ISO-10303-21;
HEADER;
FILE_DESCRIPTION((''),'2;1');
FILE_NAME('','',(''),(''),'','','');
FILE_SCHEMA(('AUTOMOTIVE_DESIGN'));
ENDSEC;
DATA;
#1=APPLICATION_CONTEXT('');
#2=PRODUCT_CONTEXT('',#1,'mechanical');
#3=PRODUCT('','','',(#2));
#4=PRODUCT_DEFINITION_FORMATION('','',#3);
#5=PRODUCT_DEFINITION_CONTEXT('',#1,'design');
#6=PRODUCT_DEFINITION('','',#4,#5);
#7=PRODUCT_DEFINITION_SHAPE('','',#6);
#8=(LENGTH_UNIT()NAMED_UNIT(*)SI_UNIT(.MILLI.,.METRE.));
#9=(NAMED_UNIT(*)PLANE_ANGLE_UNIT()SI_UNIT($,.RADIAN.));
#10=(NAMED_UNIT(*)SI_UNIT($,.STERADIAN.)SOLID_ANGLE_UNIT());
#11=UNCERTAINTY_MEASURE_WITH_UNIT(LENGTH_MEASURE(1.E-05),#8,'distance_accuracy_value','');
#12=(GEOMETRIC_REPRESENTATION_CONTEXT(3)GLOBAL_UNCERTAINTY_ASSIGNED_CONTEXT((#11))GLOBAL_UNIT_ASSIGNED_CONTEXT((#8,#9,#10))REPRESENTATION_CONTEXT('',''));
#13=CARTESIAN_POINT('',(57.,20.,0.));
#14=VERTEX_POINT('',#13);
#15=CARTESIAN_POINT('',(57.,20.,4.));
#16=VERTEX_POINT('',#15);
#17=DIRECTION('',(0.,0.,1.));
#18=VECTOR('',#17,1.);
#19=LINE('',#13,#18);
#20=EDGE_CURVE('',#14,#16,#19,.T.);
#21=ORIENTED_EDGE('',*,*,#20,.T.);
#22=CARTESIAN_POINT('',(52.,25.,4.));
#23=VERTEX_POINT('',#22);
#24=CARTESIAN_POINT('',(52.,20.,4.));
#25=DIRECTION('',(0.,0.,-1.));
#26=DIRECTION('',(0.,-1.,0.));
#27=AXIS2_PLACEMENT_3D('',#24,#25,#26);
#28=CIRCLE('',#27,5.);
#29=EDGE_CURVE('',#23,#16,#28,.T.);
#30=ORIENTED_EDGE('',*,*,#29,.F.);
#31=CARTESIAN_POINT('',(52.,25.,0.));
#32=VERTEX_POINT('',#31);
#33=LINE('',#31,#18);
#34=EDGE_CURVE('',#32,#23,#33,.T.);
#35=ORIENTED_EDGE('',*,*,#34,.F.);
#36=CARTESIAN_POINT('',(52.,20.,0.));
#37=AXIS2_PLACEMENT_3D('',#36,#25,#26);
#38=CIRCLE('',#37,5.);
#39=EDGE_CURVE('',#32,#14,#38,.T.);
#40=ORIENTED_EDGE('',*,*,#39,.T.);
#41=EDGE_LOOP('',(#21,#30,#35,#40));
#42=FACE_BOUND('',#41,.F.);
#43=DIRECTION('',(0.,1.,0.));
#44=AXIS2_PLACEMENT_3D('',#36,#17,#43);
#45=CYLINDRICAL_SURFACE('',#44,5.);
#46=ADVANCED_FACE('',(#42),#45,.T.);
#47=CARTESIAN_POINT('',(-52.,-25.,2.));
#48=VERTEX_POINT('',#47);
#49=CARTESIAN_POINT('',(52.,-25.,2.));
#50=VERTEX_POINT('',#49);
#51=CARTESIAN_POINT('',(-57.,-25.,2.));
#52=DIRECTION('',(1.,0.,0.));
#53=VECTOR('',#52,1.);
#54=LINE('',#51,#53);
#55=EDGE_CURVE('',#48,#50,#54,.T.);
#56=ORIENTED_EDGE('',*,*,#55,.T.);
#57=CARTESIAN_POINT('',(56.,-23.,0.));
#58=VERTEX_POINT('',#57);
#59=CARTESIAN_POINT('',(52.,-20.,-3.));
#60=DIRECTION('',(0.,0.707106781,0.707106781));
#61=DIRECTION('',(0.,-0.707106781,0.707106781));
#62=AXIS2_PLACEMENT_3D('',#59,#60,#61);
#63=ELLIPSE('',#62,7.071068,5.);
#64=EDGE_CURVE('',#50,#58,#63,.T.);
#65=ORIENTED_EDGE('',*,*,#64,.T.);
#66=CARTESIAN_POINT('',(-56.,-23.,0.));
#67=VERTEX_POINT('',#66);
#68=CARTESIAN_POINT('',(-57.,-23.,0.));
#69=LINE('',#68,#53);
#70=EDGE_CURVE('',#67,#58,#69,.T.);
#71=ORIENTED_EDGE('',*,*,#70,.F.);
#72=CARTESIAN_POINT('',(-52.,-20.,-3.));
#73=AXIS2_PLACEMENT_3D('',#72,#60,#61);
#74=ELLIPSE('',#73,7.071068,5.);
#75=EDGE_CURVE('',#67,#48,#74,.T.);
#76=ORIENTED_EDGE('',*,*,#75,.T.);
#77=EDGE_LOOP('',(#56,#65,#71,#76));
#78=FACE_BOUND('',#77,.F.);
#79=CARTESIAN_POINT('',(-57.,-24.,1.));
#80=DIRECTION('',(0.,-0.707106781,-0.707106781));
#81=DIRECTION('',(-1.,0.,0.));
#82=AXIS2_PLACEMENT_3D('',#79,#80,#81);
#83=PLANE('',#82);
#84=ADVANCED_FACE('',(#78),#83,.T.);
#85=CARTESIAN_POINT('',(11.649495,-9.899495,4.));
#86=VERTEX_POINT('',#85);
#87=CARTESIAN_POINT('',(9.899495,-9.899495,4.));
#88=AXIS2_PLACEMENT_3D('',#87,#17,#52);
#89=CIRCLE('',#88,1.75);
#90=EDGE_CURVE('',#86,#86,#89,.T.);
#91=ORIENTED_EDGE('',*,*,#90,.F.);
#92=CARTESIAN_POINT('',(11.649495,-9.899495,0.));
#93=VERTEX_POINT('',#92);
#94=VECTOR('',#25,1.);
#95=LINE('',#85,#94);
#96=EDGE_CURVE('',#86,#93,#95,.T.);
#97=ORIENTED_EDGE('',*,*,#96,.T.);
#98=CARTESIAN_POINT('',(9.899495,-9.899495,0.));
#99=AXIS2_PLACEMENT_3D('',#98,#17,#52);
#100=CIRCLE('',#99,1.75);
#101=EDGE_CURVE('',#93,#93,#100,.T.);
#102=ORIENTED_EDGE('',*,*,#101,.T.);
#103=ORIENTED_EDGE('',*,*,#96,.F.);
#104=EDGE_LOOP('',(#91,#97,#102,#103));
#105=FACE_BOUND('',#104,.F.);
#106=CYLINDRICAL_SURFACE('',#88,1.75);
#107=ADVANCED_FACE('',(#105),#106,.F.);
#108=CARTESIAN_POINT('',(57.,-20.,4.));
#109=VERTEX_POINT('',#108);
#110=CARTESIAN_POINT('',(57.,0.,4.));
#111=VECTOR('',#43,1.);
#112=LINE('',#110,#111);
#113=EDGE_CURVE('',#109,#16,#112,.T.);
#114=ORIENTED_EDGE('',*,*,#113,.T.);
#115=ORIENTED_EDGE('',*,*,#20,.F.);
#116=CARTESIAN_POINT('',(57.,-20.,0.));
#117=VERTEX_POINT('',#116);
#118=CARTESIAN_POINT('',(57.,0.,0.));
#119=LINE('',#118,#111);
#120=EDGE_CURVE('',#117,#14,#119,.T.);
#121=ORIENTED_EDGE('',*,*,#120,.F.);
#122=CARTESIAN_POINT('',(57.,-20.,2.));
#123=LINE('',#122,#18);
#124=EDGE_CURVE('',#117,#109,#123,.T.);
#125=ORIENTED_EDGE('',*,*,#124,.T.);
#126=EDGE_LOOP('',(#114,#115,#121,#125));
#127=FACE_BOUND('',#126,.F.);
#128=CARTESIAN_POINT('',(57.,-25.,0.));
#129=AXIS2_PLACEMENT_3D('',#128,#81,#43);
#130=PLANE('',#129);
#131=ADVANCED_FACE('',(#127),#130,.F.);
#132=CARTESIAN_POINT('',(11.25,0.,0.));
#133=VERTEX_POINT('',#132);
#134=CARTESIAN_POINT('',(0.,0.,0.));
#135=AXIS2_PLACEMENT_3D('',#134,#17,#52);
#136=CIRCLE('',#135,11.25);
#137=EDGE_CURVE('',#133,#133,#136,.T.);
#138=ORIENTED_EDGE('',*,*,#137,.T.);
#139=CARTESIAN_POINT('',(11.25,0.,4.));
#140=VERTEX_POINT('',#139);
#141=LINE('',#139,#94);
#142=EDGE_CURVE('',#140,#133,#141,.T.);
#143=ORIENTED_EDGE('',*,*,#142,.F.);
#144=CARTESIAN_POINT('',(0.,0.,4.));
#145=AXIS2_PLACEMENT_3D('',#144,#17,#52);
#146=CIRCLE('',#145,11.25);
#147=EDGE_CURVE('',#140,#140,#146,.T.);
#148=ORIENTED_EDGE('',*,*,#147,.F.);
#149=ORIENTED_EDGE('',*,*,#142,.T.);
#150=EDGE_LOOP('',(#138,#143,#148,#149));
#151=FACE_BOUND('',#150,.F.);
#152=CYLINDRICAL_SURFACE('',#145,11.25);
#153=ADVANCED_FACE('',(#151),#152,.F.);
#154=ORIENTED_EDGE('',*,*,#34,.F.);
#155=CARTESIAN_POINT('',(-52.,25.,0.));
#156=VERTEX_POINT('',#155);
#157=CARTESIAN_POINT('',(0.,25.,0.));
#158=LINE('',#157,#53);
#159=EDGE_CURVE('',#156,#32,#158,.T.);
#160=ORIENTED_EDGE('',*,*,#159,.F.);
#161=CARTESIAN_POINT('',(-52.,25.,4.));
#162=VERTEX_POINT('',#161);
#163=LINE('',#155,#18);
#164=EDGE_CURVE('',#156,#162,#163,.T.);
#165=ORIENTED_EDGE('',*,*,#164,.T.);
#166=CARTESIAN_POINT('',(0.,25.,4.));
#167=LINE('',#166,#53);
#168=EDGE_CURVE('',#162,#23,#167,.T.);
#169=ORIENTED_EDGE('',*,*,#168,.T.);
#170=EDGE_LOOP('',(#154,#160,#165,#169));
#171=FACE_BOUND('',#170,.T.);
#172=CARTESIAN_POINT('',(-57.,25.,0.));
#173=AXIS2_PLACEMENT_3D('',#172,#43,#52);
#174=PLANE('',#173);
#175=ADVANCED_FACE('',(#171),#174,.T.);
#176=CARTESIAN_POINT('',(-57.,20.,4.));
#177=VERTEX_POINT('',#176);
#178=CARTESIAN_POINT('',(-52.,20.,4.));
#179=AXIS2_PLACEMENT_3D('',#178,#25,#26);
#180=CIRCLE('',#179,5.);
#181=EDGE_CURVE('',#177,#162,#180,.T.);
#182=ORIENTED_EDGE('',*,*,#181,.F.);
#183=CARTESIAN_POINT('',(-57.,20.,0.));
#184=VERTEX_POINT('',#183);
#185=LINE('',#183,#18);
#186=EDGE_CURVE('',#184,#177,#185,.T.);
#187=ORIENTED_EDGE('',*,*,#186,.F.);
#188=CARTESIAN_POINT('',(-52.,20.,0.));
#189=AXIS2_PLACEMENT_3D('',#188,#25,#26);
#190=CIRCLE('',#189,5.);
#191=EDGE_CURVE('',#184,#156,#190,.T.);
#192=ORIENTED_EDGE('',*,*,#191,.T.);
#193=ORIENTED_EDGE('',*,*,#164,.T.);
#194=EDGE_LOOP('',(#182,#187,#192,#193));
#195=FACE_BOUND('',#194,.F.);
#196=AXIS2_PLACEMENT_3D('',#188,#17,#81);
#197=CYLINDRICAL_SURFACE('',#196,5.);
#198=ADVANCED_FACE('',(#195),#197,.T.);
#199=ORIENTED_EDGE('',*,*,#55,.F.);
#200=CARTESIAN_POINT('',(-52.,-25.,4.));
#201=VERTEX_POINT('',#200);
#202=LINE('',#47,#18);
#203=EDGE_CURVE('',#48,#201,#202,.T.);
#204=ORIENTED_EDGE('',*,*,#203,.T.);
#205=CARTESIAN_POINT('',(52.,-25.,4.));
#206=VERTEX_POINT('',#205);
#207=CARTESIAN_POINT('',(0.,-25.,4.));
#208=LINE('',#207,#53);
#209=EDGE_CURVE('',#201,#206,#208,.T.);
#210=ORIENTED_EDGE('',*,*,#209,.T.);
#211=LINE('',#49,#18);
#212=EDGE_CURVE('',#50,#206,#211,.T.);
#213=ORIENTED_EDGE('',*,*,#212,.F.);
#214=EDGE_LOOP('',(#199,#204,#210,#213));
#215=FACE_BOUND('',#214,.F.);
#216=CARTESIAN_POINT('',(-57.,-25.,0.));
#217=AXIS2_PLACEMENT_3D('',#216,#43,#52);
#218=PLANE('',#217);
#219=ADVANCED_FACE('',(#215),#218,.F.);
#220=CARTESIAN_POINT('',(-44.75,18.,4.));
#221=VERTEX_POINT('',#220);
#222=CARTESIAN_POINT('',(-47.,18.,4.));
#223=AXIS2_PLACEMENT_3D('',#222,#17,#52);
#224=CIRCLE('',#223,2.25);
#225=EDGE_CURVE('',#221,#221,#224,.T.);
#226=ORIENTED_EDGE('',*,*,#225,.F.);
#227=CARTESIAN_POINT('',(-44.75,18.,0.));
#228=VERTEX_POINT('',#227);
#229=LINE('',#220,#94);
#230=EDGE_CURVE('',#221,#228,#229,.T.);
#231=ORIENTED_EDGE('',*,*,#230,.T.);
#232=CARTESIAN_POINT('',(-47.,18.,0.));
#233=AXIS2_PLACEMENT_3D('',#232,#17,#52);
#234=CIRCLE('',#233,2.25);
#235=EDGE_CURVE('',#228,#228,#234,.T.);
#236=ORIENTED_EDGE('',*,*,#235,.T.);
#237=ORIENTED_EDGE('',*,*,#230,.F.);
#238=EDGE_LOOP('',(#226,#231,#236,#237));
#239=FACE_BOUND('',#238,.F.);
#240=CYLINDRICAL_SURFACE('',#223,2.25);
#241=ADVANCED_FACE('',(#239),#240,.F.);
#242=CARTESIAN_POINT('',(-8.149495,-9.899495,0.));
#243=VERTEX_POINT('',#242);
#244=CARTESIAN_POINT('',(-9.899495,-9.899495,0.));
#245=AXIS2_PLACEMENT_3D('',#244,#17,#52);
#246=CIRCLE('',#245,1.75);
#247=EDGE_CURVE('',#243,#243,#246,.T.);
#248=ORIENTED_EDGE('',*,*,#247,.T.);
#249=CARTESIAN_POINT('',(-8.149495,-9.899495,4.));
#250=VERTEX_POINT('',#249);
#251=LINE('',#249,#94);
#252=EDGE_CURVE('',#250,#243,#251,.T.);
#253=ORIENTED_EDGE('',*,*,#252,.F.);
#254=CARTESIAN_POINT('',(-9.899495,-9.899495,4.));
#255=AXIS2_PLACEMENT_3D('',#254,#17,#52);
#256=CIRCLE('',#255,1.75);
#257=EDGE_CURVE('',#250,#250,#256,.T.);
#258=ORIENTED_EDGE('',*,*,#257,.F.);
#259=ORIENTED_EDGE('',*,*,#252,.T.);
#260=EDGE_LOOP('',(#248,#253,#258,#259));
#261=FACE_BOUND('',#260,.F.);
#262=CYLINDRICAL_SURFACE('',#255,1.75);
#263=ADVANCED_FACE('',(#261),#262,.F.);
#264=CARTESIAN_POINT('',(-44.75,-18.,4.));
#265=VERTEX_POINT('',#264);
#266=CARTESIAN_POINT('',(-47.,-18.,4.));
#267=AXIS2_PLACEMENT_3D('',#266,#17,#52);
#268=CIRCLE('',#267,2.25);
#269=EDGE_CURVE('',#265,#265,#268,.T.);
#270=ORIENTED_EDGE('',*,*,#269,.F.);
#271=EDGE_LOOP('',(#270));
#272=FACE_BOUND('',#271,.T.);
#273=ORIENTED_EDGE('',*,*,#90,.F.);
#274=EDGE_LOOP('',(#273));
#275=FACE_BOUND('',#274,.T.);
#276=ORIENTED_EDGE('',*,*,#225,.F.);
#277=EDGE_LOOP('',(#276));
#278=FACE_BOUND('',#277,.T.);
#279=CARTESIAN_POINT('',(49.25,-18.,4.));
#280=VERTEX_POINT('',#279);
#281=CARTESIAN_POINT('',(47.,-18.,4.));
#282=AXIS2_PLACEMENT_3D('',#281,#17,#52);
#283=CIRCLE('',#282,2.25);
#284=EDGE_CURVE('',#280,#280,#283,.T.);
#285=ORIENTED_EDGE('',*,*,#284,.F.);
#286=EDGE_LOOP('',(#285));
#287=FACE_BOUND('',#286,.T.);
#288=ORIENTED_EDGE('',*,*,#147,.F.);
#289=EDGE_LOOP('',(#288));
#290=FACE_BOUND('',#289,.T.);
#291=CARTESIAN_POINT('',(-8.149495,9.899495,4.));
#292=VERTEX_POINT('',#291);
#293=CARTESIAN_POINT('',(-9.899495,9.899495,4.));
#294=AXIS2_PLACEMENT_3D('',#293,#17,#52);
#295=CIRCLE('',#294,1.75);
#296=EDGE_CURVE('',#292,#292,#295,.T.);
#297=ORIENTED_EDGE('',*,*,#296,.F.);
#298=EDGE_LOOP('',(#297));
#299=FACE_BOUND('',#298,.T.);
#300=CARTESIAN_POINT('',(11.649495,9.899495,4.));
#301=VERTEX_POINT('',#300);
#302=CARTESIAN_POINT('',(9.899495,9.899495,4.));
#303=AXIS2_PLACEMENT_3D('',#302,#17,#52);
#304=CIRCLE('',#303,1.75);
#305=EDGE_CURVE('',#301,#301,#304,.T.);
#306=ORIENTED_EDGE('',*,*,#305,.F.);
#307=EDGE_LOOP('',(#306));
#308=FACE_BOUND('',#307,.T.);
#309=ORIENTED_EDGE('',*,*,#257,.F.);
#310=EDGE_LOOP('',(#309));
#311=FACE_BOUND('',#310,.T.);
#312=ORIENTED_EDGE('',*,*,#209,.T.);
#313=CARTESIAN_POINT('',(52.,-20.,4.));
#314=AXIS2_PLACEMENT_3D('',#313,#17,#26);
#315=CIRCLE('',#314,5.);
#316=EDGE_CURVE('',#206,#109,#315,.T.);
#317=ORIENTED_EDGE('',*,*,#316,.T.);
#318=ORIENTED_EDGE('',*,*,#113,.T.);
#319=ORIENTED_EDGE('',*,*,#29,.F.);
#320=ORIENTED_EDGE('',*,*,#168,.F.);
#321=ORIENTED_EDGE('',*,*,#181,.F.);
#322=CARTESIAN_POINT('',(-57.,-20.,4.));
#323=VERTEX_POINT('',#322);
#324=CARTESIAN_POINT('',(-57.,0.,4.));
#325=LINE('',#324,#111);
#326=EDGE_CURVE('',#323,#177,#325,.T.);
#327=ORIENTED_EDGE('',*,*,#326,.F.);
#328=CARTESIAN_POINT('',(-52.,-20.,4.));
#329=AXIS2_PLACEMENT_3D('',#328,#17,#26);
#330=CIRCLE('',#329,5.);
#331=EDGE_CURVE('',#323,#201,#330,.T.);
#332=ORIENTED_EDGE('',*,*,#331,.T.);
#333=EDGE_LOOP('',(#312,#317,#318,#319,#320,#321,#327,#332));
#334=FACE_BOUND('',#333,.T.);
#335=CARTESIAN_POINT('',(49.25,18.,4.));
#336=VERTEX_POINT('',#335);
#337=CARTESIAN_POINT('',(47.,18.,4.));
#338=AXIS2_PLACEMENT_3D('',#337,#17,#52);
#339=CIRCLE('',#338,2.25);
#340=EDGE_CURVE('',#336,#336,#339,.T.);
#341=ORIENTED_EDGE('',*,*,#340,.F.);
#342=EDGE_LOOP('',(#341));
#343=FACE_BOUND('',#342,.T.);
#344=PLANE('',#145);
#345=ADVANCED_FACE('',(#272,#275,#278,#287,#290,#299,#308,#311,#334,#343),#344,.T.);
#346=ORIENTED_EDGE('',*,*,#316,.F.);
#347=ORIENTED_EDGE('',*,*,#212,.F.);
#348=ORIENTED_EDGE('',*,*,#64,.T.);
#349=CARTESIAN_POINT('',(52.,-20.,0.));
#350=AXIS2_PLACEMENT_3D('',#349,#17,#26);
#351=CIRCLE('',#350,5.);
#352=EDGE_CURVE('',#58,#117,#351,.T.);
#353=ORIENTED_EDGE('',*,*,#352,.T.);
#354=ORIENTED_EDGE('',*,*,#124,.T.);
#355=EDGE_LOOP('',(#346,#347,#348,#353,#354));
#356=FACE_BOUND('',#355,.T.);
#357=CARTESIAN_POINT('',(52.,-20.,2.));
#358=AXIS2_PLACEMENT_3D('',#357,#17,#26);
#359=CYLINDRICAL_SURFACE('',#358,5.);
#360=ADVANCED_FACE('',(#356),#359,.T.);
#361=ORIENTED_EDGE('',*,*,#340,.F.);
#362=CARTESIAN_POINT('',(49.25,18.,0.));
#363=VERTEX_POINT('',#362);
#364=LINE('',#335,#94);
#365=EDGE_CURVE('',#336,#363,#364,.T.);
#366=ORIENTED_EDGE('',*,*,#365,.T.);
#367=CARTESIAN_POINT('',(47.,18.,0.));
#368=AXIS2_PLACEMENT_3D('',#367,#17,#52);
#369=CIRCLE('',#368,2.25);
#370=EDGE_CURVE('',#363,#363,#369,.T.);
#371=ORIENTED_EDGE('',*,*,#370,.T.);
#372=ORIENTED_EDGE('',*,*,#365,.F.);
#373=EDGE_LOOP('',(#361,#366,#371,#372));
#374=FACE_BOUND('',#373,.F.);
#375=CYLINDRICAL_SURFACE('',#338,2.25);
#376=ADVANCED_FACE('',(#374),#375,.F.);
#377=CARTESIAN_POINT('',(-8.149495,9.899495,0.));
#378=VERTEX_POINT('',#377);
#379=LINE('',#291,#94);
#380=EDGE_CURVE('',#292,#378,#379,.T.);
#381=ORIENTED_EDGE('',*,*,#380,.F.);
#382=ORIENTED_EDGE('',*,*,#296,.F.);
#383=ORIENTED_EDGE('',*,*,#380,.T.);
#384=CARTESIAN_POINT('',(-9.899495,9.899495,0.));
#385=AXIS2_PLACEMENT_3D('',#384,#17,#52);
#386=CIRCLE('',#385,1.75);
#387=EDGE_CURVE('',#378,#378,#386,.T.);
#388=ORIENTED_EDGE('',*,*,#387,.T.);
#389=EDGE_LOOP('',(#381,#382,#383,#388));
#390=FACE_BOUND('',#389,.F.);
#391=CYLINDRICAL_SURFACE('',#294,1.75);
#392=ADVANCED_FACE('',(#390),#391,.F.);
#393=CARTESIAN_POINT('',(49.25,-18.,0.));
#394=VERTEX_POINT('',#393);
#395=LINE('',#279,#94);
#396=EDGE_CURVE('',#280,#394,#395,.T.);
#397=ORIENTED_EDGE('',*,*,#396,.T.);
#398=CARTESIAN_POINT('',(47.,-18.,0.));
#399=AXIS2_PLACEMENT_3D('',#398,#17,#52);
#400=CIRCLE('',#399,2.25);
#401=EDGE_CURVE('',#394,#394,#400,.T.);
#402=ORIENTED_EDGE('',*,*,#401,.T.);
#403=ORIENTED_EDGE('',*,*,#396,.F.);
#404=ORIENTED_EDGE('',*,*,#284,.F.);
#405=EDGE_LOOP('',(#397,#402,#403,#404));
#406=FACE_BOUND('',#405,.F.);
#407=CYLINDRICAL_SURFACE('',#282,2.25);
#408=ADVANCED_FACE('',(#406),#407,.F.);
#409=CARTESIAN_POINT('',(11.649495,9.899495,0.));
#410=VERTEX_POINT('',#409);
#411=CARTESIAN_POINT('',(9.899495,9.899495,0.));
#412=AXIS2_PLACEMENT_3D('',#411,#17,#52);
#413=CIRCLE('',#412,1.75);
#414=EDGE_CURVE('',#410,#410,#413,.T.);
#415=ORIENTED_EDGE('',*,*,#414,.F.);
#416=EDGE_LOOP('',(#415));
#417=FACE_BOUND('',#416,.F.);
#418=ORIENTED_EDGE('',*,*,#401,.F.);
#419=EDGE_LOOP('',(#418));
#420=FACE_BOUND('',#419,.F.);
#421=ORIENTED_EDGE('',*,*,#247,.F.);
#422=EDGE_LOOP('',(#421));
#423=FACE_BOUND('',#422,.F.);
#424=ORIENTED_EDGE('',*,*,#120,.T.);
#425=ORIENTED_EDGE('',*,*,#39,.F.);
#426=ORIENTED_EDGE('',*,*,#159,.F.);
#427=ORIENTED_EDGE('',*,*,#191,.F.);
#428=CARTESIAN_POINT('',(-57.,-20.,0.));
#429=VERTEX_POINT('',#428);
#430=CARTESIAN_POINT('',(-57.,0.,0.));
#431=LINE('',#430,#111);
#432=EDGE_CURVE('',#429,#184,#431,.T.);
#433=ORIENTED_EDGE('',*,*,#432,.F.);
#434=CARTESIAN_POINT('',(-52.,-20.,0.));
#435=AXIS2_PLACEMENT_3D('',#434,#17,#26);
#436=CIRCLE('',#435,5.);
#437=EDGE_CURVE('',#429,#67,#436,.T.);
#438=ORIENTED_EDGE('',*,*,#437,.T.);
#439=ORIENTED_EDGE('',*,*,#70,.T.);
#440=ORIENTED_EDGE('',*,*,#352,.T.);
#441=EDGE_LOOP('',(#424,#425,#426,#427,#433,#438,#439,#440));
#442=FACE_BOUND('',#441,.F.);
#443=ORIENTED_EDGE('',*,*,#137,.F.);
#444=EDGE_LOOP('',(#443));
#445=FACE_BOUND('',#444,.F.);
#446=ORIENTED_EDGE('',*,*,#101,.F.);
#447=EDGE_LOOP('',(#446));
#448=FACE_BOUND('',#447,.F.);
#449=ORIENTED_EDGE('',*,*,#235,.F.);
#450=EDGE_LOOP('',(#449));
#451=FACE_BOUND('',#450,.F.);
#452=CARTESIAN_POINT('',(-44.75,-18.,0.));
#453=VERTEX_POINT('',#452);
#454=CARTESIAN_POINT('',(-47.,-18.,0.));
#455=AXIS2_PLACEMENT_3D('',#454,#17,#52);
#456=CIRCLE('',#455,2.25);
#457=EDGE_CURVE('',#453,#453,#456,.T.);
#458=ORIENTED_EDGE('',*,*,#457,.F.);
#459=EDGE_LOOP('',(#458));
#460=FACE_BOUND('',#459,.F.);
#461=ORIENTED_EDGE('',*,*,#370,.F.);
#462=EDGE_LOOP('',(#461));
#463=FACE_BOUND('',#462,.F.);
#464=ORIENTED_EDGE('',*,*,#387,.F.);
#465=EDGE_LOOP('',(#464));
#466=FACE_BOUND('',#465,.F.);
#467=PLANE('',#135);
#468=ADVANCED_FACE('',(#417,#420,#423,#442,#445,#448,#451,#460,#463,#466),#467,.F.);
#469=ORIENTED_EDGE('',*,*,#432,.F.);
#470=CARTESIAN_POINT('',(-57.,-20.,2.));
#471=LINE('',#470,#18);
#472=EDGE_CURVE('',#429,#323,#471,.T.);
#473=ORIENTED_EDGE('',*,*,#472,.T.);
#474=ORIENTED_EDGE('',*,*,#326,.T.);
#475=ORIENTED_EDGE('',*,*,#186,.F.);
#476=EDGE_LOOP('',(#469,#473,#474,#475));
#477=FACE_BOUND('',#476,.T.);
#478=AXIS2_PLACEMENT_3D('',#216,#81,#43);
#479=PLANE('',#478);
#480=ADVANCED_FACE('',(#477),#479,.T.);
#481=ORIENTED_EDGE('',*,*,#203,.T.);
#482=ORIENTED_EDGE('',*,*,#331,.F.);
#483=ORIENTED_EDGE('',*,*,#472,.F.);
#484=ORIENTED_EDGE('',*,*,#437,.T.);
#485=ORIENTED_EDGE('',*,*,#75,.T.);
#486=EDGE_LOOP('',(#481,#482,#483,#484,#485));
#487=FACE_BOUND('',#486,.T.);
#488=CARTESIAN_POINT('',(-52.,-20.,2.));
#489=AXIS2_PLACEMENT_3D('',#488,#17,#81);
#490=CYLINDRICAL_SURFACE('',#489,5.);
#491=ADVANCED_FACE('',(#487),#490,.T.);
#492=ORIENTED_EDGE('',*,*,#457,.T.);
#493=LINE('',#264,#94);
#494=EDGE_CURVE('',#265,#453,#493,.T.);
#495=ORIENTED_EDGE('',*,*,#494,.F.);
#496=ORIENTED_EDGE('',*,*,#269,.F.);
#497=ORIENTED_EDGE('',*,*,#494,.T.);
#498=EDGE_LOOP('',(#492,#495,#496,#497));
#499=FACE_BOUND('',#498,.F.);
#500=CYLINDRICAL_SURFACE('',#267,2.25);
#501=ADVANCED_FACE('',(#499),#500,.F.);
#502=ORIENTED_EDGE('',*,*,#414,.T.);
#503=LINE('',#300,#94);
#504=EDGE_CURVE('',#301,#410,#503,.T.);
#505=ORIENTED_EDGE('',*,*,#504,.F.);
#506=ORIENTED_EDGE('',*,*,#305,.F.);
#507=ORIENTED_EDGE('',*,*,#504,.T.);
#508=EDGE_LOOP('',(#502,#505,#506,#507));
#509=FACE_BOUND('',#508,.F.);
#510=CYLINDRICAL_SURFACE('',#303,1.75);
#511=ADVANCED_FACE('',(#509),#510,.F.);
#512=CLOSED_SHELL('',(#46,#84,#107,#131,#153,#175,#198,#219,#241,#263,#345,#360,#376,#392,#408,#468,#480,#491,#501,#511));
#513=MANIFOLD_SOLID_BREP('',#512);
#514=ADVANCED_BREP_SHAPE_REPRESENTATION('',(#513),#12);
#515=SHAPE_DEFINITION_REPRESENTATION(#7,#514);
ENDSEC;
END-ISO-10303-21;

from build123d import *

# Parameters (mm, degrees)
SKETCH_W      = 114
SKETCH_H      = 50
PAD_DEPTH     = 4
SKETCH001_R   = 11.25
SKETCH001_R_2 = 2.25
SKETCH001_R_3 = 1.75
POCKET_DEPTH  = 4.001
CHAMFER_SIZE  = 2
FILLET_R      = 5


with BuildPart() as part:
    # Sketch → Pad (new body)
    with BuildSketch(Plane.XY):
        Rectangle(SKETCH_W, SKETCH_H)
    extrude(amount=PAD_DEPTH)

    # Sketch001 → Pocket (cut, through all)
    with BuildSketch(Plane.XY.offset(4)):
        Circle(SKETCH001_R)
        with Locations((-47, 18)):
            Circle(SKETCH001_R_2)
        with Locations((-47, -18)):
            Circle(SKETCH001_R_2)
        with Locations((47, 18)):
            Circle(SKETCH001_R_2)
        with Locations((47, -18)):
            Circle(SKETCH001_R_2)
        with Locations((-9.899495, 9.899495)):
            Circle(SKETCH001_R_3)
        with Locations((9.899495, 9.899495)):
            Circle(SKETCH001_R_3)
        with Locations((9.899495, -9.899495)):
            Circle(SKETCH001_R_3)
        with Locations((-9.899495, -9.899495)):
            Circle(SKETCH001_R_3)
    extrude(amount=-POCKET_DEPTH, mode=Mode.SUBTRACT)

    # Chamfer
    chamfer_edges = [part.edges().sort_by_distance(p)[0] for p in [
        (0, -25, 0),
    ]]
    chamfer(chamfer_edges, length=CHAMFER_SIZE)

    # Fillet
    fillet_edges = [part.edges().sort_by_distance(p)[0] for p in [
        (-57, -25, 3),
        (-57, 25, 2),
        (57, -25, 3),
        (57, 25, 2),
    ]]
    fillet(fillet_edges, radius=FILLET_R)


solid = part.part
